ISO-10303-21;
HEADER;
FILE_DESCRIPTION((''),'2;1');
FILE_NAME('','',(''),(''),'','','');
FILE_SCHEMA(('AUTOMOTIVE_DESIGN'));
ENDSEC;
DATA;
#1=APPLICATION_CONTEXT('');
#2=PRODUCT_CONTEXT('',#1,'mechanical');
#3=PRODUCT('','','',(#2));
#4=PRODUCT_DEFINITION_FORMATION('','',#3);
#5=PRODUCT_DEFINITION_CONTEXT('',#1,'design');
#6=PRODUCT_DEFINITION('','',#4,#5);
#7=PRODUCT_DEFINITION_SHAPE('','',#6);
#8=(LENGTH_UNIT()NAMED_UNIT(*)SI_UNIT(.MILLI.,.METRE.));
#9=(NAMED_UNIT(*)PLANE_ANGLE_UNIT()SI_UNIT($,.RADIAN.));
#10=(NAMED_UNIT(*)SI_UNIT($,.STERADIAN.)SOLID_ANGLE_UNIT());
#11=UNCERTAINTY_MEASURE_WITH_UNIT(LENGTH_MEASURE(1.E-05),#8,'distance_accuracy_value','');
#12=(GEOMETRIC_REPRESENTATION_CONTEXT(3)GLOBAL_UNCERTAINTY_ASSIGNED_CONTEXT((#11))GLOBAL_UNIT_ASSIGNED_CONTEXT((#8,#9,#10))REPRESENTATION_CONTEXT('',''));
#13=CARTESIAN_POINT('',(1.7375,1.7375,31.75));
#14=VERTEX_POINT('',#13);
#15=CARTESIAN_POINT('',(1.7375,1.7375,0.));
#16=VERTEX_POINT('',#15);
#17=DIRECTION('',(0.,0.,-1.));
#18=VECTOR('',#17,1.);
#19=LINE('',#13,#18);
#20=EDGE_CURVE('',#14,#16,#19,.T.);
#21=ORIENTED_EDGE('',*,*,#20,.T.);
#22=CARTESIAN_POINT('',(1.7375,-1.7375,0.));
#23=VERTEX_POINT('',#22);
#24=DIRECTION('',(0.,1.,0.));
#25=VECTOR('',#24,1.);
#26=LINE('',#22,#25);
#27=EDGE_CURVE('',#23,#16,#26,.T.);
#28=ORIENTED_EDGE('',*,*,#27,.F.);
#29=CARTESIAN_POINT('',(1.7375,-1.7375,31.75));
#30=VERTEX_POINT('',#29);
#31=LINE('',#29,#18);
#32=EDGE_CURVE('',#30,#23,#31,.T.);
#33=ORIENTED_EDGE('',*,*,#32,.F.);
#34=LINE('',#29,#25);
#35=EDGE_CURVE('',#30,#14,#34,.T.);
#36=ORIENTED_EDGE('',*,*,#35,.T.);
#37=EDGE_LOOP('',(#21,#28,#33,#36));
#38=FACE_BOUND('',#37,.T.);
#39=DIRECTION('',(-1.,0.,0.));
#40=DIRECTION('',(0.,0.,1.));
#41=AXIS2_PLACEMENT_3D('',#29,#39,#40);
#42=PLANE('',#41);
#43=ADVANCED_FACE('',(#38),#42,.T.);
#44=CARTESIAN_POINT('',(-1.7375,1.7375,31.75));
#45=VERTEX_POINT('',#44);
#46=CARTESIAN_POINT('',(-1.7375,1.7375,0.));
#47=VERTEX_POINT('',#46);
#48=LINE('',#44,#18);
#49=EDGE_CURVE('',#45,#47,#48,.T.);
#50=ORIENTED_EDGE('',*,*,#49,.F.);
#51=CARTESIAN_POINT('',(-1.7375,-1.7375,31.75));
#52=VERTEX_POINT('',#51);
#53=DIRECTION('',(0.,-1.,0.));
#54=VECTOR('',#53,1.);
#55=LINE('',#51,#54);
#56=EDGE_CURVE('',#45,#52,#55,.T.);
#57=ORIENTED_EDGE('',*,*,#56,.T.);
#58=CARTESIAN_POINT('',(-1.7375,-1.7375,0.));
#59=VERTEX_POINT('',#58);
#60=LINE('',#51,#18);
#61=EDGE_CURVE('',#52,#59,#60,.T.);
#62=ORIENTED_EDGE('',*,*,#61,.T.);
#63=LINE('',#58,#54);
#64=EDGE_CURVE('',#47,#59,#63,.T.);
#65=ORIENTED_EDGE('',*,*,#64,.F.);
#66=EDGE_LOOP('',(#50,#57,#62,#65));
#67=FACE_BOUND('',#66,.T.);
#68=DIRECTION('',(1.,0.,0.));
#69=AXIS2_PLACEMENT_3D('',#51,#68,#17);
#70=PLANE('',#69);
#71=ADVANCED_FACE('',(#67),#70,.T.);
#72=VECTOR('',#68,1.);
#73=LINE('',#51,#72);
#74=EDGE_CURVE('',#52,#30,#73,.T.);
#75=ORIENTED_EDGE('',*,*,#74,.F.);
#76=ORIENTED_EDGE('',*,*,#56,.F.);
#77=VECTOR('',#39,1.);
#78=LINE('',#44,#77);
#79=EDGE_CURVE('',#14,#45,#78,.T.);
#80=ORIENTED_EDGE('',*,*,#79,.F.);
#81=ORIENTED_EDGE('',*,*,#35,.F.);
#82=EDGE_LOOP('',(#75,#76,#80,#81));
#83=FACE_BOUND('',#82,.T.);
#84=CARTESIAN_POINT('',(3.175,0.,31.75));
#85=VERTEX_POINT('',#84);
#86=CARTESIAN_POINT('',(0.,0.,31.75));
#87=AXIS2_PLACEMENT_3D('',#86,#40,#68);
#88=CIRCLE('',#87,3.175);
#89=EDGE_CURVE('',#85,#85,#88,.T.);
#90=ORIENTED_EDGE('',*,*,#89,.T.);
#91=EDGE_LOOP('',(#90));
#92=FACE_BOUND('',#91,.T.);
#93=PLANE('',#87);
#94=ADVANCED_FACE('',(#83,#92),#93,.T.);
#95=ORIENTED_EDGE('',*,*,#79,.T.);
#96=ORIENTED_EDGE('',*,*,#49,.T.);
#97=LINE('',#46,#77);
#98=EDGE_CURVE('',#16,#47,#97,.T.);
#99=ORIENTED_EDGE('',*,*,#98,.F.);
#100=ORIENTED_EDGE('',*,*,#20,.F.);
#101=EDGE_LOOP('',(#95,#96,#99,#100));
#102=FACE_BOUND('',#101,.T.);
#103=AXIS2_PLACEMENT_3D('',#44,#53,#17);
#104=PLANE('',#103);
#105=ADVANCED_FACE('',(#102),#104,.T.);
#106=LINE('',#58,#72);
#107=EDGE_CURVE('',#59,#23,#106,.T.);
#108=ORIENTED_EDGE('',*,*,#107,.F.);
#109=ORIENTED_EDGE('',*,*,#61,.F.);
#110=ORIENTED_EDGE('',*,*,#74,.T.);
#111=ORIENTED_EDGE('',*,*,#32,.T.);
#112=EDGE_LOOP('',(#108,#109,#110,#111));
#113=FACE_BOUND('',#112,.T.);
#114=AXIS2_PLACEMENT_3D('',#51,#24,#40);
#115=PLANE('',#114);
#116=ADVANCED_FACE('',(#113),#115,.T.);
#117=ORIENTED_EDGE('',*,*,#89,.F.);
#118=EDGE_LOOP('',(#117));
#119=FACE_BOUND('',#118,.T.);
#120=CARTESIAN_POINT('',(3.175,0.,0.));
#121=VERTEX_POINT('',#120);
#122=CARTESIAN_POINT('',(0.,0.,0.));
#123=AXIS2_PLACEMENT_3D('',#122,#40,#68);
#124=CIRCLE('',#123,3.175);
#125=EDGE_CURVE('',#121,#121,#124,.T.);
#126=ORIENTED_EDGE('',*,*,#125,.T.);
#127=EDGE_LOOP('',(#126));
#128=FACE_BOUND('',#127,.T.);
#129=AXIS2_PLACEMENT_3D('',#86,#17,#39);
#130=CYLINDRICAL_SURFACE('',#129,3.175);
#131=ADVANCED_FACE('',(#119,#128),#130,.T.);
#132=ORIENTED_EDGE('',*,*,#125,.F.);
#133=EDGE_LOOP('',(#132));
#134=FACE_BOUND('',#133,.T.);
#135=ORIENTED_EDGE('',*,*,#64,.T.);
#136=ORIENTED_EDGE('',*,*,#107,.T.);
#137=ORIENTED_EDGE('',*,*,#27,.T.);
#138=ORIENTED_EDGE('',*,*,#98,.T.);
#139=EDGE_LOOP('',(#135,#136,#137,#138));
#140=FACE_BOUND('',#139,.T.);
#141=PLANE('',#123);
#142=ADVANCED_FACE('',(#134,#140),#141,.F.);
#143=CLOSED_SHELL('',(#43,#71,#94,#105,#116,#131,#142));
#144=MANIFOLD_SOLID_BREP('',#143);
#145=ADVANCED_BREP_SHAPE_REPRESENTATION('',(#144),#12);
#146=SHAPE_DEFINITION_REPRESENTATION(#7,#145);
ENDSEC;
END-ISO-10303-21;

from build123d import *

# Parameters (mm, degrees)
SKETCH1_R           = 3.175
SKETCH1_W           = 3.475
SKETCH1_H           = 3.475
BOSS_EXTRUDE1_DEPTH = 31.75


with BuildPart() as part:
    # Sketch1 → Boss-Extrude1 (new body)
    with BuildSketch(Plane.XY):
        Circle(SKETCH1_R)
        Rectangle(SKETCH1_W, SKETCH1_H, mode=Mode.SUBTRACT)
    extrude(amount=BOSS_EXTRUDE1_DEPTH)


solid = part.part
